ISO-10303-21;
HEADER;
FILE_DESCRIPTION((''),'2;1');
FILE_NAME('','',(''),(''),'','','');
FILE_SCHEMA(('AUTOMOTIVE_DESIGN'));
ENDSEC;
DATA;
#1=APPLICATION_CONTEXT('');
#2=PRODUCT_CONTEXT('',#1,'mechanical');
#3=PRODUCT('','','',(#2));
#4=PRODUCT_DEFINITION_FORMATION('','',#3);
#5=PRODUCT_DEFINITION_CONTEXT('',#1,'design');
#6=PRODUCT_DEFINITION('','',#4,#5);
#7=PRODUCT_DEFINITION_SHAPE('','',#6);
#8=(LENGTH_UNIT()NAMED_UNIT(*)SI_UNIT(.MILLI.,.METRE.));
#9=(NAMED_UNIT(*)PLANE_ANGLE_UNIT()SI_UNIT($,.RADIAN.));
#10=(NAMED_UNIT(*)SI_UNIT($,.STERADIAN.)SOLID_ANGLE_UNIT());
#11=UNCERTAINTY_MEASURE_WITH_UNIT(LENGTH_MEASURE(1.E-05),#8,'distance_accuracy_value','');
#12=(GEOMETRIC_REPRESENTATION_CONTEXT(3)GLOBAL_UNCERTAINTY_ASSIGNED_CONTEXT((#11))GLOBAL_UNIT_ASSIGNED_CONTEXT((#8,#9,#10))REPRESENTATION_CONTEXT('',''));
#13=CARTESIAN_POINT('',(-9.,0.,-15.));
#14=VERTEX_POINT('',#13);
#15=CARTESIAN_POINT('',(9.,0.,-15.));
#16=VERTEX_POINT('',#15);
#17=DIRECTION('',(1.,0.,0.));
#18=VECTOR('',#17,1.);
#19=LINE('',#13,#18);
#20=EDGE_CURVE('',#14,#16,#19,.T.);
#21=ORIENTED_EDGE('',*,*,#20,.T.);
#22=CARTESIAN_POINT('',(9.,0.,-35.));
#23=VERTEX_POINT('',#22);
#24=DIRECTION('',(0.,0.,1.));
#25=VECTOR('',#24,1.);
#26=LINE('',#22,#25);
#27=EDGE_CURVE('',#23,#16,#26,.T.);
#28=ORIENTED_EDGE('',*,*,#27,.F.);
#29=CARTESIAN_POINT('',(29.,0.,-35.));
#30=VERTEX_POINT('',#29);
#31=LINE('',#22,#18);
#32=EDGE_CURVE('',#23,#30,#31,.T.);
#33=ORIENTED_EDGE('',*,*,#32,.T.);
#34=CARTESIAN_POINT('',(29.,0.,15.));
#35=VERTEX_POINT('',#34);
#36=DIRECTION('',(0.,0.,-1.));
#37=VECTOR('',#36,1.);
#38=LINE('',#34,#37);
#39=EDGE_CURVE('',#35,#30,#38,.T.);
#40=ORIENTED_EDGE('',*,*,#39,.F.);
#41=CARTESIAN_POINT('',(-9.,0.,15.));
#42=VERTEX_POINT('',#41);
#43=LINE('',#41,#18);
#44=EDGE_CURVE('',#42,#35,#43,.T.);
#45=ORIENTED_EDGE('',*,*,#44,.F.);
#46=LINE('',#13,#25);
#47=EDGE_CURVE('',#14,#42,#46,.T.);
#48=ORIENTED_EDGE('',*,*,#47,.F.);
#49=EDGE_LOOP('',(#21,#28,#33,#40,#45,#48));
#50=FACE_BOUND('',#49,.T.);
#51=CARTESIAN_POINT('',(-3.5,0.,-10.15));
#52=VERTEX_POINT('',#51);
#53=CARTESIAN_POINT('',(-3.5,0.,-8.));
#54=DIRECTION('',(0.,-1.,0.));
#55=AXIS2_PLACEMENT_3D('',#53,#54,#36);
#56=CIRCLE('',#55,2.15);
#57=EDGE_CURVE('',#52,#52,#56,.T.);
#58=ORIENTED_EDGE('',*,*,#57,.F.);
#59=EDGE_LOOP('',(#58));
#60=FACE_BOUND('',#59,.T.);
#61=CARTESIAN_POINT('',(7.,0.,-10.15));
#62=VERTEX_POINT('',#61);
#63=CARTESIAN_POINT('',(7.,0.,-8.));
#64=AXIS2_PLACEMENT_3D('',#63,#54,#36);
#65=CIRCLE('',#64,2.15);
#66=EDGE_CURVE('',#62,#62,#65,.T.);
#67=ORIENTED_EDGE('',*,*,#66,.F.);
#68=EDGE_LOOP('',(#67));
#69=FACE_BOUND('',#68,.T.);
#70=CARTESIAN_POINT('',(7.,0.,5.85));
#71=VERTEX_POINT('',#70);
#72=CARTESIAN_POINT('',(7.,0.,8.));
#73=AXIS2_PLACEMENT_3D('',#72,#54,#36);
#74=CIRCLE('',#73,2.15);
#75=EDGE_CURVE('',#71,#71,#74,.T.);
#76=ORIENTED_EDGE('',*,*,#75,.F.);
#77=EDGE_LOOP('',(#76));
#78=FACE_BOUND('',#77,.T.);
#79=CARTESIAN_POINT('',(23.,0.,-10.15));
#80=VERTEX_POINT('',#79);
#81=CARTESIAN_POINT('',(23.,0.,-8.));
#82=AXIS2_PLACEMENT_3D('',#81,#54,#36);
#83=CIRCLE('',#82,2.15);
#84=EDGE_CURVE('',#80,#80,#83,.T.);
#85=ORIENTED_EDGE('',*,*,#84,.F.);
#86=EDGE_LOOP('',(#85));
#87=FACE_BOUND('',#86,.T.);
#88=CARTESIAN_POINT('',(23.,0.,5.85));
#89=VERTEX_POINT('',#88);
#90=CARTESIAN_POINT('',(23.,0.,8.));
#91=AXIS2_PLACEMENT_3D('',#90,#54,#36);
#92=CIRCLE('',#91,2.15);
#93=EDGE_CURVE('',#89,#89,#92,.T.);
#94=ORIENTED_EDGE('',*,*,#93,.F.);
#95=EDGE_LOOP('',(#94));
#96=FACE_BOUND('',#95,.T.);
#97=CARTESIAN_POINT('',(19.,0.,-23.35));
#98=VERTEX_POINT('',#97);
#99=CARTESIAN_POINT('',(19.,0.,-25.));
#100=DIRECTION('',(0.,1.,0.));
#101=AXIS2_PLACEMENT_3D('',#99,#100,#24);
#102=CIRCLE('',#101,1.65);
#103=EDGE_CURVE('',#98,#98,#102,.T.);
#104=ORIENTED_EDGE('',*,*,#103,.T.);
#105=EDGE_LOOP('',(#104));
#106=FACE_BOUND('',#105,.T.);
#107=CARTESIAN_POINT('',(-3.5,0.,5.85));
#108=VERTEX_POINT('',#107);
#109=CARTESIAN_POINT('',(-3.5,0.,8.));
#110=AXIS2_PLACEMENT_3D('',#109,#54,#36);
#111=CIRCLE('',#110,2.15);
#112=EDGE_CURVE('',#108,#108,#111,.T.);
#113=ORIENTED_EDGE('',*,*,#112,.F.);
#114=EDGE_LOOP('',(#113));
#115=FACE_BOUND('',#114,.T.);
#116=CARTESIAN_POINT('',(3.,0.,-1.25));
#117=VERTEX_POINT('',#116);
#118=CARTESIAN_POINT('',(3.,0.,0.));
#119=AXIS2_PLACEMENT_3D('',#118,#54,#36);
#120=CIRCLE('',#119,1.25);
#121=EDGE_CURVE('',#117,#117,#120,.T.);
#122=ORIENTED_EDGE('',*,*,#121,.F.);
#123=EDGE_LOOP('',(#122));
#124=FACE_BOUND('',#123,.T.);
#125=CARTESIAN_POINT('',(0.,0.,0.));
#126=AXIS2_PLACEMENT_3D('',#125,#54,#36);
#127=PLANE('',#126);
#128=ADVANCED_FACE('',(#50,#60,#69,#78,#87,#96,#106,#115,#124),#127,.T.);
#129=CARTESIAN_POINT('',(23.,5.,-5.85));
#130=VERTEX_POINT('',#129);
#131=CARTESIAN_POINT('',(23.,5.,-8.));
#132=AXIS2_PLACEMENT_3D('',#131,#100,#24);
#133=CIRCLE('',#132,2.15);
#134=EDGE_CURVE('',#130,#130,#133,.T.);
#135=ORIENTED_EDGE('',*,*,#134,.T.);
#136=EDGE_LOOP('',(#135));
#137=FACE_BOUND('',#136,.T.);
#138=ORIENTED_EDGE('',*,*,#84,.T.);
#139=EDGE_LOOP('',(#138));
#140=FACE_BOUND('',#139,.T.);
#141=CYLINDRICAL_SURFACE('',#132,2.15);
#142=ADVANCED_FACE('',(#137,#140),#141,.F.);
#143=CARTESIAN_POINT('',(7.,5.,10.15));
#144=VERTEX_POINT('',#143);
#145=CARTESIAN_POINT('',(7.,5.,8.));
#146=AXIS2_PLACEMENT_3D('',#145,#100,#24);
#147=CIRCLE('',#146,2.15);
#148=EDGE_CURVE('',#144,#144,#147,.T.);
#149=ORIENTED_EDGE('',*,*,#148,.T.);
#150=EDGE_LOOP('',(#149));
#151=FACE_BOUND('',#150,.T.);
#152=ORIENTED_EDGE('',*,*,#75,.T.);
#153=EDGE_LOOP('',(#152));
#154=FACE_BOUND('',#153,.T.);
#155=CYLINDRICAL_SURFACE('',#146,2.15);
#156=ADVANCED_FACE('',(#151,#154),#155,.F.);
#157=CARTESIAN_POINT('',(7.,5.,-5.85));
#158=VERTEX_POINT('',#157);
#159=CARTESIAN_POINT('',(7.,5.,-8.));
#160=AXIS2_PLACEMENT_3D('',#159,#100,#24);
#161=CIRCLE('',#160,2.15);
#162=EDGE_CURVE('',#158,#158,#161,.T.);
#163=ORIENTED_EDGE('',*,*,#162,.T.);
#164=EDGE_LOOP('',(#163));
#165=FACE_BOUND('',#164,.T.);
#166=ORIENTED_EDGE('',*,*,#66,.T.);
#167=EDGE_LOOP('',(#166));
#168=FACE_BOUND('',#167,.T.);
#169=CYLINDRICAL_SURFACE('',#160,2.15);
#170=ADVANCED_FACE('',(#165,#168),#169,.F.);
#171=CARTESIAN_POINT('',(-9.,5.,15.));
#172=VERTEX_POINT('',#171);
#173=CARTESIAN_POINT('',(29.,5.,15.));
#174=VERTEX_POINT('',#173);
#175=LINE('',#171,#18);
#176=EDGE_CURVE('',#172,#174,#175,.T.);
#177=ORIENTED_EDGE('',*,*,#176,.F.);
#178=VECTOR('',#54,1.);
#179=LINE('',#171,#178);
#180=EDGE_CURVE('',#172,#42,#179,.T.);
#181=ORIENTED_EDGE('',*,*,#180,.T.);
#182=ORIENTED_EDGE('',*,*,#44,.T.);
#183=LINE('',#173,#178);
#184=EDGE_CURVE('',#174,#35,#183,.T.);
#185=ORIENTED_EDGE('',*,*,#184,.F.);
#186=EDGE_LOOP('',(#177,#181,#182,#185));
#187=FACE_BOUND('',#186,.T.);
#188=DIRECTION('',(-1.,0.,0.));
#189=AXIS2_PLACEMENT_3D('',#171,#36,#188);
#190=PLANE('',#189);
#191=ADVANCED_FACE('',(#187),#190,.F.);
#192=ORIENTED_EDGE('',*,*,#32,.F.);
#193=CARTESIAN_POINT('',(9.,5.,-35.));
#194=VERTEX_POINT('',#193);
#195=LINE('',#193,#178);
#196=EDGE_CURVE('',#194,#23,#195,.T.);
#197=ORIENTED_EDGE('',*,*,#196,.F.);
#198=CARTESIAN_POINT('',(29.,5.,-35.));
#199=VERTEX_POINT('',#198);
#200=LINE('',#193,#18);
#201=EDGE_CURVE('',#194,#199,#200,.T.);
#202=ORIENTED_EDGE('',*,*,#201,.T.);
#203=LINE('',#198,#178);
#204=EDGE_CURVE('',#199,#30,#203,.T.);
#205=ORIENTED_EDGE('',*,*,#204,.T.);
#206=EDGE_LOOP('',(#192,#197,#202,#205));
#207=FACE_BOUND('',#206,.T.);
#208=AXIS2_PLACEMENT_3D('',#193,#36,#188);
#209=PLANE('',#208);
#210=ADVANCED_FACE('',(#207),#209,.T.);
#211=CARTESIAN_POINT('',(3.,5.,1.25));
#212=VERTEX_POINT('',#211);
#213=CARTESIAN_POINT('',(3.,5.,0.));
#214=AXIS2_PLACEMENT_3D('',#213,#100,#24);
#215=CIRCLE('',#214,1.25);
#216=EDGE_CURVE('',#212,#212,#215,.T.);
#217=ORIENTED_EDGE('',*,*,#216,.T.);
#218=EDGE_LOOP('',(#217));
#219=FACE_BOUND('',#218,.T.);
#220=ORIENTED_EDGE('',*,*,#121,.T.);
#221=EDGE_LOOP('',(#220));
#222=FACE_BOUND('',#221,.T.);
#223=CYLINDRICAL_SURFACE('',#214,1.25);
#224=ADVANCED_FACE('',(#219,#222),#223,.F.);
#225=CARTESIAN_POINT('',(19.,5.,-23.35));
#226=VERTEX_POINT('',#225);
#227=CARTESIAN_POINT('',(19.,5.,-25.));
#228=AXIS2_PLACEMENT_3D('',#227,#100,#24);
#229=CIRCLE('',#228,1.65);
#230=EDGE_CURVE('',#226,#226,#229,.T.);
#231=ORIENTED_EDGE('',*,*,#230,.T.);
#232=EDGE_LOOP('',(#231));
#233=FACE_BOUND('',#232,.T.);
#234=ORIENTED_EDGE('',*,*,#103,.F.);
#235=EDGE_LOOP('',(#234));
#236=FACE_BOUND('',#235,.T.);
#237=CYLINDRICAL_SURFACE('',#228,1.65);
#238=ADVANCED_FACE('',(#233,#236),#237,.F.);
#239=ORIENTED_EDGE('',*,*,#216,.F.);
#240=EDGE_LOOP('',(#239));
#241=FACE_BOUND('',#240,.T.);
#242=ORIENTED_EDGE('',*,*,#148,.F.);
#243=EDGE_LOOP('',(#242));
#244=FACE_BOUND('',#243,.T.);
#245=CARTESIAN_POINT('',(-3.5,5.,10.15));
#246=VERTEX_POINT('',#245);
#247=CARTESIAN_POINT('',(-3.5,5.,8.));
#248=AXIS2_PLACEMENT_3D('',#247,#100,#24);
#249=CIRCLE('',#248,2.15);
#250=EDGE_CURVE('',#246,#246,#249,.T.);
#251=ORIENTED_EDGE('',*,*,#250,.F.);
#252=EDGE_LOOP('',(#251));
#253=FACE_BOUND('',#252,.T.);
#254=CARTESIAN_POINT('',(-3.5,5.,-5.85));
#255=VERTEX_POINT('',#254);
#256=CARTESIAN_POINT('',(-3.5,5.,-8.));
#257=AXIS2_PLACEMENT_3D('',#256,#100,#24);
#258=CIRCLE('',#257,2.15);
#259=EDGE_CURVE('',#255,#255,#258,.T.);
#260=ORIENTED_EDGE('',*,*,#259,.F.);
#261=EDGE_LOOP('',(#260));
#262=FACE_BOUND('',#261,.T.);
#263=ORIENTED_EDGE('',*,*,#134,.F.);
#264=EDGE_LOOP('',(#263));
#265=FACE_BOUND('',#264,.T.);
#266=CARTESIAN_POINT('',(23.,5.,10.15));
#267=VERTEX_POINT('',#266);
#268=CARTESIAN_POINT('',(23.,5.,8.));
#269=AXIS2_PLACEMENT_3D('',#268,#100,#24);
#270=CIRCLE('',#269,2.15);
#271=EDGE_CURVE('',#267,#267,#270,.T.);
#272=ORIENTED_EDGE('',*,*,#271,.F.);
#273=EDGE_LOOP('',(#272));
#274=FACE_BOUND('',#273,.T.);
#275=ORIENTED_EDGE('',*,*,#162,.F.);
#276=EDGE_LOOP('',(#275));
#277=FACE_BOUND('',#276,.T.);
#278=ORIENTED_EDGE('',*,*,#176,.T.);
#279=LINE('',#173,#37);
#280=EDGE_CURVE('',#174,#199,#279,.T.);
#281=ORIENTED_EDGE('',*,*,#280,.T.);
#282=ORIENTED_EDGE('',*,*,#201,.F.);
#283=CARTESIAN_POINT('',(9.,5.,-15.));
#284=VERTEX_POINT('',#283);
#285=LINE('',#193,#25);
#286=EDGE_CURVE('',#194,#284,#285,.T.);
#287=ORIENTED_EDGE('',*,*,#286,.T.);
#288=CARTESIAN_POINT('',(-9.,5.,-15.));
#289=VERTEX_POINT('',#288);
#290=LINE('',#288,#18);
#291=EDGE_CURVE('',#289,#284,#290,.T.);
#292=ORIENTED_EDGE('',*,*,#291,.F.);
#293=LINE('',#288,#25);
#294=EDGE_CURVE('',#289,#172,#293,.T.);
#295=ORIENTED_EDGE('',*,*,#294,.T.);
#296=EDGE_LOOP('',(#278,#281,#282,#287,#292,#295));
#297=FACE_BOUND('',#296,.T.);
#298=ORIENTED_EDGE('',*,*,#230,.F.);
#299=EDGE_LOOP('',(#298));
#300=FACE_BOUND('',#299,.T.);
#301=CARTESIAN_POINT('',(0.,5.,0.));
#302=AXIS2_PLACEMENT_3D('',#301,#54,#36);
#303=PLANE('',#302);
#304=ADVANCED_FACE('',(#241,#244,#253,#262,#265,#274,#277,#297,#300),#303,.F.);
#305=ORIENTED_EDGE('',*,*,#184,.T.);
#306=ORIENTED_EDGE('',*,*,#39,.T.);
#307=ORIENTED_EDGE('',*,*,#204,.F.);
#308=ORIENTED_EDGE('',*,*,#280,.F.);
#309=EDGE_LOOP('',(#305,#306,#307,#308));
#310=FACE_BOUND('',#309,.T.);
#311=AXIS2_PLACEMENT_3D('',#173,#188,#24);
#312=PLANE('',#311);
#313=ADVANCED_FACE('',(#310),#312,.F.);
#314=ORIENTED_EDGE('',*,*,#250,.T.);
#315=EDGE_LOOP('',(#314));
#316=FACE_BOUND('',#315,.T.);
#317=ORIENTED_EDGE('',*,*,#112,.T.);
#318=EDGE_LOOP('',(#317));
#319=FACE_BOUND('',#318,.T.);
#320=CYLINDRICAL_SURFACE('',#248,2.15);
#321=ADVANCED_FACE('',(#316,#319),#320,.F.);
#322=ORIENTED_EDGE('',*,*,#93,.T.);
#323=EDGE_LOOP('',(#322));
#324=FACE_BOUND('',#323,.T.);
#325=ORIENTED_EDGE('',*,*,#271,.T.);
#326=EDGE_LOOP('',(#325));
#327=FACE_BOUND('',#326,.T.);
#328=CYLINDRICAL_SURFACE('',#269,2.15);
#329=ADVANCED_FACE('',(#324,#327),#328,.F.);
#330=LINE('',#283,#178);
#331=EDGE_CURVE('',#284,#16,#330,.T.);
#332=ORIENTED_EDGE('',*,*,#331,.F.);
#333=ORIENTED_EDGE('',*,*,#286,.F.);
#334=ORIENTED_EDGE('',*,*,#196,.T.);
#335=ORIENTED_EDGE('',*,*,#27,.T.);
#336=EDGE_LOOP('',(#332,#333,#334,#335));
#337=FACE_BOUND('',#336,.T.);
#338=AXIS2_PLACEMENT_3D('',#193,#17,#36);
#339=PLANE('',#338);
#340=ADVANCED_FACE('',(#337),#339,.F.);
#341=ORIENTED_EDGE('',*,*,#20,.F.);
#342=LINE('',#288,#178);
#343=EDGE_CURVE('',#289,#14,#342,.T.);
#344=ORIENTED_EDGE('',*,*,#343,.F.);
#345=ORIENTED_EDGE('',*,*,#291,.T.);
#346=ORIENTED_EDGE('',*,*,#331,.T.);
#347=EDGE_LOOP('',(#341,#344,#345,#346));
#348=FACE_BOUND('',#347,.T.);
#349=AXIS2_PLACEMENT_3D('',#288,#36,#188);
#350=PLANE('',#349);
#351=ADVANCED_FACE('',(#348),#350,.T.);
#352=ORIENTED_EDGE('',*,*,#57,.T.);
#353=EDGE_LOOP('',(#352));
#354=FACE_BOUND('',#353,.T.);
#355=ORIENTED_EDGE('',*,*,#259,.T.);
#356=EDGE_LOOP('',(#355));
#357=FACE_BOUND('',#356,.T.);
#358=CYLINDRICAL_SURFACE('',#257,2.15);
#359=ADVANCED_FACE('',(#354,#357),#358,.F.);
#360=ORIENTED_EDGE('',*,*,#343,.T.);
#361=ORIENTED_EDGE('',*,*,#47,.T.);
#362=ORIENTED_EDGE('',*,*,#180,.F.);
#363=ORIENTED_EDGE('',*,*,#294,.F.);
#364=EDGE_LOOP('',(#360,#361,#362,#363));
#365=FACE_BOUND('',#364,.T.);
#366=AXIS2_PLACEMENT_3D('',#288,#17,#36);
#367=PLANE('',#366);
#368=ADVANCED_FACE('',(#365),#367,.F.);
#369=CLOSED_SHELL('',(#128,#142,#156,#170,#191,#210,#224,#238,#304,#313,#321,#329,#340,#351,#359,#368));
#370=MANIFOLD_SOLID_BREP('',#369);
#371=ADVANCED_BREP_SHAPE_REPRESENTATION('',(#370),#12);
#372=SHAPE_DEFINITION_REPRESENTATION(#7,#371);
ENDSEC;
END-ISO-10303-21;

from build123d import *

# Parameters (mm, degrees)
AUFSATZ_LINEAR_AUSTRAGEN1_DEPTH = 5
DURCHGANGSLOCH_F_R_M41_D        = 4.3
DURCHGANGSLOCH_F_R_M42_D        = 4.3
M4_GEWINDEBOHRUNG1_D            = 3.3
M3_GEWINDEBOHRUNG1_D            = 2.5


with BuildPart() as part:
    # Skizze1 → Aufsatz-Linear austragen1 (new body)
    with BuildSketch(Plane(origin=(0, 0, 0), x_dir=(1, 0, 0), z_dir=(0, 1, 0))):
        Polygon((-9, 15), (-9, -15), (29, -15), (29, 35), (9, 35), (9, 15), align=None)
    extrude(amount=AUFSATZ_LINEAR_AUSTRAGEN1_DEPTH)

    # Durchgangsloch für M41 (through all)
    with Locations(Plane(origin=(0, 5, 0), x_dir=(1, 0, 0), z_dir=(0, 1, 0))):
        with Locations((7, 8), (23, 8), (7, -8), (23, -8)):
            Hole(DURCHGANGSLOCH_F_R_M41_D / 2)

    # Durchgangsloch für M42 (through all)
    with Locations(Plane(origin=(0, 5, 0), x_dir=(1, 0, 0), z_dir=(0, 1, 0))):
        with Locations((-3.5, 8), (-3.5, -8)):
            Hole(DURCHGANGSLOCH_F_R_M42_D / 2)

    # M4 Gewindebohrung1 (through all)
    with Locations(Plane(origin=(0, 5, 0), x_dir=(1, 0, 0), z_dir=(0, 1, 0))):
        with Locations((19, 25)):
            Hole(M4_GEWINDEBOHRUNG1_D / 2)

    # M3 Gewindebohrung1 (through all)
    with Locations(Plane(origin=(0, 5, 0), x_dir=(1, 0, 0), z_dir=(0, 1, 0))):
        with Locations((3, 0)):
            Hole(M3_GEWINDEBOHRUNG1_D / 2)


solid = part.part
